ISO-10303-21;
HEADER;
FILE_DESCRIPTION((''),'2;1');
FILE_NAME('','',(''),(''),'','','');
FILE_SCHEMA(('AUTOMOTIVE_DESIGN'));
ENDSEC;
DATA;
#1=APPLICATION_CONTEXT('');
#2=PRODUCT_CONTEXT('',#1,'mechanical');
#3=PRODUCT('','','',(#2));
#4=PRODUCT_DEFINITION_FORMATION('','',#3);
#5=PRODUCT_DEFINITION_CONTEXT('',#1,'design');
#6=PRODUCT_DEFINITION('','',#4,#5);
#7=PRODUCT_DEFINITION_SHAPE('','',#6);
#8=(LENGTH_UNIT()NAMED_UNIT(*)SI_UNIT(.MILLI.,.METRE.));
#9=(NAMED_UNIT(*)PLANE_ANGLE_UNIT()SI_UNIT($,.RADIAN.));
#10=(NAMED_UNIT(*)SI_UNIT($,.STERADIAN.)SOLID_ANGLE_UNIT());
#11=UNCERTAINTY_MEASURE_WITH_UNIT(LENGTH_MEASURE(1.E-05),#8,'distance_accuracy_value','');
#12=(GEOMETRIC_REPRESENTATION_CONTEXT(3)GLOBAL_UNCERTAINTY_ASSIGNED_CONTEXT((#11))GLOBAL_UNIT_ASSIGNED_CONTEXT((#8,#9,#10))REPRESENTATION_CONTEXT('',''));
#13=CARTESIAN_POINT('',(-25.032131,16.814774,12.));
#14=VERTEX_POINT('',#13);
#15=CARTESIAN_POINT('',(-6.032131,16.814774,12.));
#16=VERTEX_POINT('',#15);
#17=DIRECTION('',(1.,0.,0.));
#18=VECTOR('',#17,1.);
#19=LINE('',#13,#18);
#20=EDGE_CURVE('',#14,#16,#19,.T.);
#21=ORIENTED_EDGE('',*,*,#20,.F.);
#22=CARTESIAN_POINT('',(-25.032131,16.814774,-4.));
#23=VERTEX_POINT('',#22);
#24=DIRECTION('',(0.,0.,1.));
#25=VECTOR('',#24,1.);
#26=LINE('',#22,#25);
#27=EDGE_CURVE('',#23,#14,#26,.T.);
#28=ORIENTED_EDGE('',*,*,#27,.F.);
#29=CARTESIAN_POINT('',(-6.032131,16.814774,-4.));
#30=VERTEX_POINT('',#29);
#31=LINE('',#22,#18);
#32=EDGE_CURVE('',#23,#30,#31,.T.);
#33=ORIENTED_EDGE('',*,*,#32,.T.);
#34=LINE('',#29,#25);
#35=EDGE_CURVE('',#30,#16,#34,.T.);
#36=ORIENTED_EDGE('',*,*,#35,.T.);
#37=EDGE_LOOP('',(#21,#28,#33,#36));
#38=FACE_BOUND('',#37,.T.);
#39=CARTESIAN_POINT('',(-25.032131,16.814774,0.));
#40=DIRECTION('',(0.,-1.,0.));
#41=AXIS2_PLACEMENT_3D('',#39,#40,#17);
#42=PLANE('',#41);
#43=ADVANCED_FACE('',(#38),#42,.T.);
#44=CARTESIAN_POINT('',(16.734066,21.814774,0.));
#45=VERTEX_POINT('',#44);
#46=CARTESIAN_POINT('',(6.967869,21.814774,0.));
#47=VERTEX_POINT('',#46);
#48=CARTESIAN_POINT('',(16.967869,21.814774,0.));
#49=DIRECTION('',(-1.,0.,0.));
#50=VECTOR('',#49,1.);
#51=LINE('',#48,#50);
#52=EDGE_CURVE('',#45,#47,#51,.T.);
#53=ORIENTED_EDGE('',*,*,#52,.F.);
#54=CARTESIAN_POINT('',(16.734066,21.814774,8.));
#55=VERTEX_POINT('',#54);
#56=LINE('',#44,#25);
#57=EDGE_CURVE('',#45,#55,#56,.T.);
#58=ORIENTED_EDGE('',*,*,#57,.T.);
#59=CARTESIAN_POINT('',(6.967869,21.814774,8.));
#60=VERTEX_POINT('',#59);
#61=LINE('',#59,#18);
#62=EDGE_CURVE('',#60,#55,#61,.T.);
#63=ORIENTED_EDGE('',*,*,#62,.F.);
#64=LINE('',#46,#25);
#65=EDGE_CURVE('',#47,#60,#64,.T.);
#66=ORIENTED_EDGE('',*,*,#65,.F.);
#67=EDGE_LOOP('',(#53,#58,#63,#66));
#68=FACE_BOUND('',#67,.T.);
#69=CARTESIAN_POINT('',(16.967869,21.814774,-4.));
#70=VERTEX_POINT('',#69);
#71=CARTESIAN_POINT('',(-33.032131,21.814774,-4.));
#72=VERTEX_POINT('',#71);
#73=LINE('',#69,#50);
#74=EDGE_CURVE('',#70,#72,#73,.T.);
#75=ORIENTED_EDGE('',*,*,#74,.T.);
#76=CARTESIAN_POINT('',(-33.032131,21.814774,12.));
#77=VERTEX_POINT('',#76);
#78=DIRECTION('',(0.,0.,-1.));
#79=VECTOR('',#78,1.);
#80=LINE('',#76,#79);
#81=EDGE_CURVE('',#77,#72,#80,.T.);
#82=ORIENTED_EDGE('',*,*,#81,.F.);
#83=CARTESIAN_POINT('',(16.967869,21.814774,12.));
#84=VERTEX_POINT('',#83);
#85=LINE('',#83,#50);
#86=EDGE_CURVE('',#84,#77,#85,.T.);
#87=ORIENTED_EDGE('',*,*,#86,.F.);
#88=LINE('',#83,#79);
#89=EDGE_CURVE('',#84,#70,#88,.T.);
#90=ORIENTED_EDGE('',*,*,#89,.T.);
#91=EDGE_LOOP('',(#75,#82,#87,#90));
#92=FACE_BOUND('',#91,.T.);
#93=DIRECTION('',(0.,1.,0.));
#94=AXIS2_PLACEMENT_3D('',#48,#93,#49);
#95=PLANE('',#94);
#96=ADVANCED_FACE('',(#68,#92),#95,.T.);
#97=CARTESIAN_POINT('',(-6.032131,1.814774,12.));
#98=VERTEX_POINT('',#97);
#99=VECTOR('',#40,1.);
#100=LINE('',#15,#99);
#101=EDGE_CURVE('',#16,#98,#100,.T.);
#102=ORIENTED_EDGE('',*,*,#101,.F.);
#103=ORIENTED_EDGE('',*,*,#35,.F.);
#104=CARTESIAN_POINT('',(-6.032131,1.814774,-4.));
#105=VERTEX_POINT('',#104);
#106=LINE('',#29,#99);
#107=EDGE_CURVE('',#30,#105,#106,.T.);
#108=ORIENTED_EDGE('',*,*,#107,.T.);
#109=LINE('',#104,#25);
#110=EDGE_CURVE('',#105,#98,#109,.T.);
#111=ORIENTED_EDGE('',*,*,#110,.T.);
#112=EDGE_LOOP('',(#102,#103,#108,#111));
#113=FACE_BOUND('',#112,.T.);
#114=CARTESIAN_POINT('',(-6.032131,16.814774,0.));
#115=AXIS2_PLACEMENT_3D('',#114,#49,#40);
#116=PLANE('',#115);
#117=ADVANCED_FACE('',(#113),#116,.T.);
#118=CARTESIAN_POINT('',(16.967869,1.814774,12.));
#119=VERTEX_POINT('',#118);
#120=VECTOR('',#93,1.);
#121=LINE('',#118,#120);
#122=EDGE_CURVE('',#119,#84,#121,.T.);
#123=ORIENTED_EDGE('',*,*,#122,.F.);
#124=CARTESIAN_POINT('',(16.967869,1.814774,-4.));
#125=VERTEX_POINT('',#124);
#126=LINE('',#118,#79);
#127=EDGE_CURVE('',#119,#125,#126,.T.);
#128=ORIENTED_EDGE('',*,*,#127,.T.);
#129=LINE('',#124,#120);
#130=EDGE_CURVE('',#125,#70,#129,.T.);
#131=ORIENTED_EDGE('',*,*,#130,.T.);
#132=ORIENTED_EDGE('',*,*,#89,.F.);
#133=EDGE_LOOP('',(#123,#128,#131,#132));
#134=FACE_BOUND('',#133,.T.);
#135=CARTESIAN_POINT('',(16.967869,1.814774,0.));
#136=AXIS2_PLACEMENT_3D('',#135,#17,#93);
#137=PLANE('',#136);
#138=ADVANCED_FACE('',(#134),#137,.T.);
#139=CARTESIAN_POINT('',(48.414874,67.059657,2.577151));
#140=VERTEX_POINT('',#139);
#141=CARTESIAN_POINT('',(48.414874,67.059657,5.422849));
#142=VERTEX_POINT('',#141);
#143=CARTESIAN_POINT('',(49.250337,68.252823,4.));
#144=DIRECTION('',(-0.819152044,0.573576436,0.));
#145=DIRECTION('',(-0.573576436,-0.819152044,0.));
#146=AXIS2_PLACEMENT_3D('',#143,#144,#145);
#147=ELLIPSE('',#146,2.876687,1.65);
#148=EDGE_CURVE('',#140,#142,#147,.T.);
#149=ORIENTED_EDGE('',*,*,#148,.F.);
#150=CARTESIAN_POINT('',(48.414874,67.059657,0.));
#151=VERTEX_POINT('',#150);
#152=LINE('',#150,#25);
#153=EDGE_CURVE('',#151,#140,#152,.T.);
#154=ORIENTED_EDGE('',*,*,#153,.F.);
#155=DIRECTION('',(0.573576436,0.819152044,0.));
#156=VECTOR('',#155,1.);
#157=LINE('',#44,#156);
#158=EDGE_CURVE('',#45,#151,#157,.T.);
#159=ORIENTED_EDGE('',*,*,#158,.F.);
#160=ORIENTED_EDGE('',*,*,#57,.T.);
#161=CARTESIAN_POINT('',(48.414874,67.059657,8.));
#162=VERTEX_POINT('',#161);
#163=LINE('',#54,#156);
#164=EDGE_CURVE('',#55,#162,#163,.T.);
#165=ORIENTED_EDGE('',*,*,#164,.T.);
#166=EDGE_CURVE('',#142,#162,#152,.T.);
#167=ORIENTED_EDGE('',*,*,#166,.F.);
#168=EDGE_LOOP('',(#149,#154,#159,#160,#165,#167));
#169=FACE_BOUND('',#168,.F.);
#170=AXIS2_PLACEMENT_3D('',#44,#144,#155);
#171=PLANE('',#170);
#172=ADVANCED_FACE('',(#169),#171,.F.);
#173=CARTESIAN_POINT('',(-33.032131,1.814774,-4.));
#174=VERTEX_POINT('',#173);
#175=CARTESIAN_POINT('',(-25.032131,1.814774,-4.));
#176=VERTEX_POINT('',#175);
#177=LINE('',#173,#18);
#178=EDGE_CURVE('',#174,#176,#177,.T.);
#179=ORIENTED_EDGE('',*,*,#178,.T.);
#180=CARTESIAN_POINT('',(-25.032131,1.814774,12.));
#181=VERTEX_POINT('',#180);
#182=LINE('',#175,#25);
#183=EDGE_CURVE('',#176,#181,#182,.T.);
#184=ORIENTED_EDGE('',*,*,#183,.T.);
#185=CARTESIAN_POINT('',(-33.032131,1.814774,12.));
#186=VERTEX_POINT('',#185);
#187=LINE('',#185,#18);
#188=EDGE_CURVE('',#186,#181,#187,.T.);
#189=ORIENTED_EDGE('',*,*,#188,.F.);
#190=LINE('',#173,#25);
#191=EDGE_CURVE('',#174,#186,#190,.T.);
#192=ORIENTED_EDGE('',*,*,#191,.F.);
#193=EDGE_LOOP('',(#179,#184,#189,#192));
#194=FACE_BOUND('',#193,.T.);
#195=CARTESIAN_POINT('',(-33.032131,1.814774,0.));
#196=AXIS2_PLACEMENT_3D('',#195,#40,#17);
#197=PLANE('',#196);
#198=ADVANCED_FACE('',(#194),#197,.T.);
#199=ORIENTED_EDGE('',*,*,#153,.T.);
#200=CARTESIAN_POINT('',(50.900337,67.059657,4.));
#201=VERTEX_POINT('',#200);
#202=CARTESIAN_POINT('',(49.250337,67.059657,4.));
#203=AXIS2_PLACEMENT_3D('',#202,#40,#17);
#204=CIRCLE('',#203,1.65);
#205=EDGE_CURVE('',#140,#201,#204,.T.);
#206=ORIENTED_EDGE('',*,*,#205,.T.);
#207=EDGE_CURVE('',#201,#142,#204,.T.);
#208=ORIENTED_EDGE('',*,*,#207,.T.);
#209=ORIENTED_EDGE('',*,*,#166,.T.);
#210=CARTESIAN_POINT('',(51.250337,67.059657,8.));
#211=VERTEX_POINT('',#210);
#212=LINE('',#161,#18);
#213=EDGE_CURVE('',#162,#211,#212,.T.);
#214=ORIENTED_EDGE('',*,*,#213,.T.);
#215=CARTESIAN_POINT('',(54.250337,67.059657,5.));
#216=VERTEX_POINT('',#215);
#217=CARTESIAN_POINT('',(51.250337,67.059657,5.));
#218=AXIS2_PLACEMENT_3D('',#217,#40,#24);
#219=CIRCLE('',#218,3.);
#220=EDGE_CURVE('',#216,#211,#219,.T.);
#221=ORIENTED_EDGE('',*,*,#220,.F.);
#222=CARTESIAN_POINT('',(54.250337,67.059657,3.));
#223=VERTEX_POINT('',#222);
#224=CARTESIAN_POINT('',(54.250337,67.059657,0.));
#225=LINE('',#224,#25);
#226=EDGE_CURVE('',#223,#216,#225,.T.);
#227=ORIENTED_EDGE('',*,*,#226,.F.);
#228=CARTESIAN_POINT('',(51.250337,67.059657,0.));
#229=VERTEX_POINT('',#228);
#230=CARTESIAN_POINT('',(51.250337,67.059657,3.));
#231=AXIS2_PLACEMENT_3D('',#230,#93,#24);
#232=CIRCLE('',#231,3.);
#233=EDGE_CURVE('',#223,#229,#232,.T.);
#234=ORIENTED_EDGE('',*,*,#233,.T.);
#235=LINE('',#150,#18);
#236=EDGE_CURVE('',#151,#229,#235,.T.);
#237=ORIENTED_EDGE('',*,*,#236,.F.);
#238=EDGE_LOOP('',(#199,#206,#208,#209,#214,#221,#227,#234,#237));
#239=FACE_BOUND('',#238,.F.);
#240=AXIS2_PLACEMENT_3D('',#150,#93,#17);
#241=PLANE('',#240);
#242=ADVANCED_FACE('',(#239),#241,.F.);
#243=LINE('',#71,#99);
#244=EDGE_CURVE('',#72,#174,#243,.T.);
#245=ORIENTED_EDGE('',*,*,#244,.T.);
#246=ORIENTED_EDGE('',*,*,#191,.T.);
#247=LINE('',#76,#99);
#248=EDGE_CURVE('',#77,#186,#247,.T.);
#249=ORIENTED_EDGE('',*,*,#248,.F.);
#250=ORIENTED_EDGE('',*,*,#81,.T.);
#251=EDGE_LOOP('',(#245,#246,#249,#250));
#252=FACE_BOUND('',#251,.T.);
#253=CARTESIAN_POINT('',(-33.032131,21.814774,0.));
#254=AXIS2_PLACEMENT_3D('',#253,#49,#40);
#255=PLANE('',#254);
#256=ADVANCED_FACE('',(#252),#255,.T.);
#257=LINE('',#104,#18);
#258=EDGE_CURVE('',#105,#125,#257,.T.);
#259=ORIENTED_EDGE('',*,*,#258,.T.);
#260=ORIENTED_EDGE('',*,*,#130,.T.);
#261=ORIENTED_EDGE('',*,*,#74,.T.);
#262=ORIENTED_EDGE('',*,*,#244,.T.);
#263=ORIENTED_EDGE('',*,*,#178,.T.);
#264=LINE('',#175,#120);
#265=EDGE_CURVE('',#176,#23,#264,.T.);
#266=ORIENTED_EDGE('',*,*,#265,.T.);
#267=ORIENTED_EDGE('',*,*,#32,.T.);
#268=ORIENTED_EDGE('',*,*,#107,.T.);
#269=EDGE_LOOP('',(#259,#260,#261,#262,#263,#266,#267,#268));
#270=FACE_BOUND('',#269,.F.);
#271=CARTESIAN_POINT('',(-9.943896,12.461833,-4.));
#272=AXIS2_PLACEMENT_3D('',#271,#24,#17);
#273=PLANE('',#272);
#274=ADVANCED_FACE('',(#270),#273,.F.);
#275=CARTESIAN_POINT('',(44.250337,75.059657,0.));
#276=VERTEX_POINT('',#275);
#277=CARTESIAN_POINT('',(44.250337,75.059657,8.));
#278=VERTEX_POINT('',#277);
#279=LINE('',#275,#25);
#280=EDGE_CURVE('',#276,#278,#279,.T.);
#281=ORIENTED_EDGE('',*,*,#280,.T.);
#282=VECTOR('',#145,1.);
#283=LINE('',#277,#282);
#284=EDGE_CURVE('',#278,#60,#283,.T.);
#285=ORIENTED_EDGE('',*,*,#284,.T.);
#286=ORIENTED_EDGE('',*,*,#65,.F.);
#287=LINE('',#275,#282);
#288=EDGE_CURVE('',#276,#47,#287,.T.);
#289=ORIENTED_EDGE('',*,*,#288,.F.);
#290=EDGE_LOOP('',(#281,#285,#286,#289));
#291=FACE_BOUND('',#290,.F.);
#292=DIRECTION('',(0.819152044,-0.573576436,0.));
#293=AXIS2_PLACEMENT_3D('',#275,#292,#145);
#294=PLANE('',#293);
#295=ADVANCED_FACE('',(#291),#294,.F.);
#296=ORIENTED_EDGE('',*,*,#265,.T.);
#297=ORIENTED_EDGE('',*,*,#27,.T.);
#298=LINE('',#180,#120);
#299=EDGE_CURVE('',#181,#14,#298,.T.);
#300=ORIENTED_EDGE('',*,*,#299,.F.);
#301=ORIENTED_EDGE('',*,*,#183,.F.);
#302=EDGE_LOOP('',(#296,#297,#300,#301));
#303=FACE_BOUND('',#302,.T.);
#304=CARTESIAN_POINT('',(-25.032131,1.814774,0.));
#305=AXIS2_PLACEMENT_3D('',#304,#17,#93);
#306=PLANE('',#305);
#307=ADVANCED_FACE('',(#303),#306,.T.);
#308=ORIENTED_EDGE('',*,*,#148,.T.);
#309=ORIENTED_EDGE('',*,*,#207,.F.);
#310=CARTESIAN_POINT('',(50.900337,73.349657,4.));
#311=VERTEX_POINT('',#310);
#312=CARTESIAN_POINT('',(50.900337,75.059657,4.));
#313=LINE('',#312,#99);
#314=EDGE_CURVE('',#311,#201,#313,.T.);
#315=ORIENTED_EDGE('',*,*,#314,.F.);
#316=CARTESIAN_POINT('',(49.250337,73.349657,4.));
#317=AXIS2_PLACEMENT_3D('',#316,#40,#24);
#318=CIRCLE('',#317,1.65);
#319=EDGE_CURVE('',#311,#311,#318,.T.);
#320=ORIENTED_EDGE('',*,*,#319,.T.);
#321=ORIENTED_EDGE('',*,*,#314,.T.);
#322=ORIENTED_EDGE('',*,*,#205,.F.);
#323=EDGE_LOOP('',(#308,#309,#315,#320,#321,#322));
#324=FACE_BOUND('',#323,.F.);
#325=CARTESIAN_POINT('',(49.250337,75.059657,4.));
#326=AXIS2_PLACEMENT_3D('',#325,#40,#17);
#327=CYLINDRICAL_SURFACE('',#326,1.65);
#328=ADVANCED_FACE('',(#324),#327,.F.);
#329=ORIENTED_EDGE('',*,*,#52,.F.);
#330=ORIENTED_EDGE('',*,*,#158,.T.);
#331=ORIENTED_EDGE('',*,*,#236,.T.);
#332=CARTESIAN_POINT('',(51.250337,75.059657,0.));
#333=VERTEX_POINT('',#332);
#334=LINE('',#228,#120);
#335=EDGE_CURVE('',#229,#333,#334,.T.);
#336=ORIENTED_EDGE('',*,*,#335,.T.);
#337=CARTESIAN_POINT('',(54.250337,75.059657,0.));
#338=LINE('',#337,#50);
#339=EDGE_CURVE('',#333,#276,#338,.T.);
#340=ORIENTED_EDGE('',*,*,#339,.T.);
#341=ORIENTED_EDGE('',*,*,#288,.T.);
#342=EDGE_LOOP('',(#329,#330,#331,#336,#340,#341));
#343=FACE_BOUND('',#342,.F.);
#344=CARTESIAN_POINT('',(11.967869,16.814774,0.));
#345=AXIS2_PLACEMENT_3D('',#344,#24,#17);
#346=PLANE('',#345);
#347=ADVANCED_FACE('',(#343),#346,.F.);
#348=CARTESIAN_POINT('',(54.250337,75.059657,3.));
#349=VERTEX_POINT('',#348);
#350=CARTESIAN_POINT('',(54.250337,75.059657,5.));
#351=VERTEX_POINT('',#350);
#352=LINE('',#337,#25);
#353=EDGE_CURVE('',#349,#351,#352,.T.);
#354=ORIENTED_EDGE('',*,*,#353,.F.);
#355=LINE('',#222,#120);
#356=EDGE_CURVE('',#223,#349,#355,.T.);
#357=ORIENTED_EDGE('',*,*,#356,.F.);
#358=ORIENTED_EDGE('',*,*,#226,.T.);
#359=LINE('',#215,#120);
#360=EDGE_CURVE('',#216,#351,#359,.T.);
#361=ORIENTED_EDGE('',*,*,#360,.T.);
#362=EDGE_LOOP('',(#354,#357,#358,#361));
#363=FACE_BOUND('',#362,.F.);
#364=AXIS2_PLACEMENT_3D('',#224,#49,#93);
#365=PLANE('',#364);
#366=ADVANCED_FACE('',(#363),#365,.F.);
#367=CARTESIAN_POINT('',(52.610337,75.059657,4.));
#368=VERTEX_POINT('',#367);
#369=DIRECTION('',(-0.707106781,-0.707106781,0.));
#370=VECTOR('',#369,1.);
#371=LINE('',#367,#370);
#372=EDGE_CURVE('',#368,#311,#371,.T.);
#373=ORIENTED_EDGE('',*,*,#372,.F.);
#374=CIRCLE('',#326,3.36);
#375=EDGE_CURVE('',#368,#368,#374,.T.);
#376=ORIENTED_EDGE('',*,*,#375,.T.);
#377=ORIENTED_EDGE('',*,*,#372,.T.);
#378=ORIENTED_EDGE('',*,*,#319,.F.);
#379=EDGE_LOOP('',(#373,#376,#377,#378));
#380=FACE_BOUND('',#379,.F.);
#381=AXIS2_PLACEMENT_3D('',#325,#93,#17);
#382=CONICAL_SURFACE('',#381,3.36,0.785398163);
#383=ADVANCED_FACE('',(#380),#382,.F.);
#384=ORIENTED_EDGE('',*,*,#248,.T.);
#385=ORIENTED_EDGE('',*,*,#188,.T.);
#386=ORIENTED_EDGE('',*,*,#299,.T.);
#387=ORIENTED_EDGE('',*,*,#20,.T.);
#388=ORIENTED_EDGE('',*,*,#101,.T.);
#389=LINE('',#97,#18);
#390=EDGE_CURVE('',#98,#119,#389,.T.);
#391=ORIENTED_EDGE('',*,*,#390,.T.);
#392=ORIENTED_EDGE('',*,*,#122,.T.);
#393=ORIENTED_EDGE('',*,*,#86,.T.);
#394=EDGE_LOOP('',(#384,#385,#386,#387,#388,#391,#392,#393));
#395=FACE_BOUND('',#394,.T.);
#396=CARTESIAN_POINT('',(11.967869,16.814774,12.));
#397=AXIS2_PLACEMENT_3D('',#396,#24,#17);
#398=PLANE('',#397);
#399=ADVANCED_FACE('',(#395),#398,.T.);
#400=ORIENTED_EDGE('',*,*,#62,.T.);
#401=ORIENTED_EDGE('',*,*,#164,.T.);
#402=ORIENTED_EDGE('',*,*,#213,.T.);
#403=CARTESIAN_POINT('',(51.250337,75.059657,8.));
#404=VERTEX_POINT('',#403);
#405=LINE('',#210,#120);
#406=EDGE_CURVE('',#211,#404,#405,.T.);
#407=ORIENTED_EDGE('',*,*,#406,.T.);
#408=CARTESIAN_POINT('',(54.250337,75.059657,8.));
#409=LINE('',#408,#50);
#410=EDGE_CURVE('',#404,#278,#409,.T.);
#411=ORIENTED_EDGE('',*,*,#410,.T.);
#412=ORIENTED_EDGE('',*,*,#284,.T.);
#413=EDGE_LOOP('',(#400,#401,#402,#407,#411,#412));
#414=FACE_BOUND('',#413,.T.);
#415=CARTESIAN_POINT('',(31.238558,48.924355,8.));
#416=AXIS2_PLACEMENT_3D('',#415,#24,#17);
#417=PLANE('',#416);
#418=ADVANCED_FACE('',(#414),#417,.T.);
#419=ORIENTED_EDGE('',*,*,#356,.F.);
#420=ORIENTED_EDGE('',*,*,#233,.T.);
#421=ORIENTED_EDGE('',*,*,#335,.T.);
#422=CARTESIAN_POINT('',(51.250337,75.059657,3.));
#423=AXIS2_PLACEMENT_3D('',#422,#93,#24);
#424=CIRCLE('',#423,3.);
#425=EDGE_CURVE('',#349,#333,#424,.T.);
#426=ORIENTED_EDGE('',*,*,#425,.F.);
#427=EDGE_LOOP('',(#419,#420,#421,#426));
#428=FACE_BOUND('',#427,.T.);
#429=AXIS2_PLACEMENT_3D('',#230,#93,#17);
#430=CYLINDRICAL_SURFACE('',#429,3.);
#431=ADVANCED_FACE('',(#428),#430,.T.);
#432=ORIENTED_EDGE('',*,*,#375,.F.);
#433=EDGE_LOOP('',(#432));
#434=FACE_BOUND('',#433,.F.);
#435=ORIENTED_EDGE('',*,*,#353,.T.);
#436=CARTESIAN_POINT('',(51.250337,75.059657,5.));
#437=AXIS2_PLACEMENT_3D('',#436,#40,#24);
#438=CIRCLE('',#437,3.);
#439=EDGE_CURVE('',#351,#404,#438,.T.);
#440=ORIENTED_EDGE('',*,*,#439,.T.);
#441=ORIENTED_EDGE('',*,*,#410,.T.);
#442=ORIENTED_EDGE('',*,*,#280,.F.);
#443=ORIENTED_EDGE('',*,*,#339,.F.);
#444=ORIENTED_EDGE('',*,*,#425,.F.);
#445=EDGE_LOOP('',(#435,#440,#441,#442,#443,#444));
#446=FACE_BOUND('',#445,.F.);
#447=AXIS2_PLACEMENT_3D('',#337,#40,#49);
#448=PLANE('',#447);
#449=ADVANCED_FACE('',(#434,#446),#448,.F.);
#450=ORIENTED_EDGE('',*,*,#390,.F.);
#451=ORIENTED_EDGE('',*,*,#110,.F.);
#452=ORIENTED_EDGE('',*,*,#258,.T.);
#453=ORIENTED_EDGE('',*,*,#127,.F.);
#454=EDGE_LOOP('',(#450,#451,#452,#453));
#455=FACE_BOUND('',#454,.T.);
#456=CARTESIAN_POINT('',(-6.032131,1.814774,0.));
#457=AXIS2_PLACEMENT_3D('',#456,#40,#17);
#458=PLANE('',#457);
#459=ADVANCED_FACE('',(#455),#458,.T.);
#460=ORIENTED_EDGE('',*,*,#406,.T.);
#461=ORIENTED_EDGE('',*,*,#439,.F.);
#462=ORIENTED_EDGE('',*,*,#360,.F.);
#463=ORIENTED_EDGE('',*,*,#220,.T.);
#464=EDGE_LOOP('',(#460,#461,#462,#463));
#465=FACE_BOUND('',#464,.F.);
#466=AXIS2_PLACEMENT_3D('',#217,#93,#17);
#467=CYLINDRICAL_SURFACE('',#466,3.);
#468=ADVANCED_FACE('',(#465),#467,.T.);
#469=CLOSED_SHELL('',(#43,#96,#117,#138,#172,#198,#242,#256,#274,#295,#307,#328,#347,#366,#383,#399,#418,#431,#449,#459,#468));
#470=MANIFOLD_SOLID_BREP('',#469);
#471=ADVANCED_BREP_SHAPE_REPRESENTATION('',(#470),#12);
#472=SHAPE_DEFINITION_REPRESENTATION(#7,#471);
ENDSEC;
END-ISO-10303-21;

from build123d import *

# Parameters (mm, degrees)
F1_DEPTH       = 8
F3_D           = 3.3
F3_CSINK_D     = 6.72
F3_CSINK_ANGLE = 90
F4_DEPTH       = 12
F5_DEPTH       = 4
F6_R           = 3


with BuildPart() as f1:
    # F0 (on Top) → F1 (new body)
    with BuildSketch(Plane.XY):
        Polygon((44.2503372943, 75.0596572278), (6.9678689315, 21.814774349), (16.7340656416, 21.814774349), (48.4148736987, 67.0596572278), (54.2503372943, 67.0596572278), (54.2503372943, 75.0596572278), align=None)
    extrude(amount=F1_DEPTH)

    # F3 (through all)
    with Locations(Plane(origin=(0, 75.0596572278, 0), x_dir=(-1, 0, 0), z_dir=(0, 1, 0))):
        with Locations((-49.2503372943, 4)):
            CounterSinkHole(F3_D / 2, F3_CSINK_D / 2, counter_sink_angle=F3_CSINK_ANGLE)

    # F0 (on Top) → F4 (join)
    with BuildSketch(Plane.XY):
        Polygon((16.7340656416, 21.814774349), (6.9678689315, 21.814774349), (6.9678689315, 11.814774349), (16.9678689315, 11.814774349), (16.9678689315, 21.814774349), align=None)
        Polygon((6.9678689315, 11.814774349), (6.9678689315, 21.814774349), (-33.0321310685, 21.814774349), (-33.0321310685, 1.814774349), (-25.0321310685, 1.814774349), (-25.0321310685, 16.814774349), (-6.0321310685, 16.814774349), (-6.0321310685, 1.814774349), (16.9678689315, 1.814774349), (16.9678689315, 11.814774349), align=None)
    extrude(amount=F4_DEPTH)

    # F0 (on Top) → F5 (join)
    with BuildSketch(Plane.XY):
        Polygon((6.9678689315, 11.814774349), (6.9678689315, 21.814774349), (-33.0321310685, 21.814774349), (-33.0321310685, 1.814774349), (-25.0321310685, 1.814774349), (-25.0321310685, 16.814774349), (-6.0321310685, 16.814774349), (-6.0321310685, 1.814774349), (16.9678689315, 1.814774349), (16.9678689315, 11.814774349), align=None)
        Polygon((16.7340656416, 21.814774349), (6.9678689315, 21.814774349), (6.9678689315, 11.814774349), (16.9678689315, 11.814774349), (16.9678689315, 21.814774349), align=None)
    extrude(amount=-F5_DEPTH)

    # F6
    f6_edges = [f1.edges().sort_by_distance(p)[0] for p in [
        (54.250337, 71.059657, 0),
        (54.250337, 71.059657, 8),
    ]]
    fillet(f6_edges, radius=F6_R)


solid = f1.part
